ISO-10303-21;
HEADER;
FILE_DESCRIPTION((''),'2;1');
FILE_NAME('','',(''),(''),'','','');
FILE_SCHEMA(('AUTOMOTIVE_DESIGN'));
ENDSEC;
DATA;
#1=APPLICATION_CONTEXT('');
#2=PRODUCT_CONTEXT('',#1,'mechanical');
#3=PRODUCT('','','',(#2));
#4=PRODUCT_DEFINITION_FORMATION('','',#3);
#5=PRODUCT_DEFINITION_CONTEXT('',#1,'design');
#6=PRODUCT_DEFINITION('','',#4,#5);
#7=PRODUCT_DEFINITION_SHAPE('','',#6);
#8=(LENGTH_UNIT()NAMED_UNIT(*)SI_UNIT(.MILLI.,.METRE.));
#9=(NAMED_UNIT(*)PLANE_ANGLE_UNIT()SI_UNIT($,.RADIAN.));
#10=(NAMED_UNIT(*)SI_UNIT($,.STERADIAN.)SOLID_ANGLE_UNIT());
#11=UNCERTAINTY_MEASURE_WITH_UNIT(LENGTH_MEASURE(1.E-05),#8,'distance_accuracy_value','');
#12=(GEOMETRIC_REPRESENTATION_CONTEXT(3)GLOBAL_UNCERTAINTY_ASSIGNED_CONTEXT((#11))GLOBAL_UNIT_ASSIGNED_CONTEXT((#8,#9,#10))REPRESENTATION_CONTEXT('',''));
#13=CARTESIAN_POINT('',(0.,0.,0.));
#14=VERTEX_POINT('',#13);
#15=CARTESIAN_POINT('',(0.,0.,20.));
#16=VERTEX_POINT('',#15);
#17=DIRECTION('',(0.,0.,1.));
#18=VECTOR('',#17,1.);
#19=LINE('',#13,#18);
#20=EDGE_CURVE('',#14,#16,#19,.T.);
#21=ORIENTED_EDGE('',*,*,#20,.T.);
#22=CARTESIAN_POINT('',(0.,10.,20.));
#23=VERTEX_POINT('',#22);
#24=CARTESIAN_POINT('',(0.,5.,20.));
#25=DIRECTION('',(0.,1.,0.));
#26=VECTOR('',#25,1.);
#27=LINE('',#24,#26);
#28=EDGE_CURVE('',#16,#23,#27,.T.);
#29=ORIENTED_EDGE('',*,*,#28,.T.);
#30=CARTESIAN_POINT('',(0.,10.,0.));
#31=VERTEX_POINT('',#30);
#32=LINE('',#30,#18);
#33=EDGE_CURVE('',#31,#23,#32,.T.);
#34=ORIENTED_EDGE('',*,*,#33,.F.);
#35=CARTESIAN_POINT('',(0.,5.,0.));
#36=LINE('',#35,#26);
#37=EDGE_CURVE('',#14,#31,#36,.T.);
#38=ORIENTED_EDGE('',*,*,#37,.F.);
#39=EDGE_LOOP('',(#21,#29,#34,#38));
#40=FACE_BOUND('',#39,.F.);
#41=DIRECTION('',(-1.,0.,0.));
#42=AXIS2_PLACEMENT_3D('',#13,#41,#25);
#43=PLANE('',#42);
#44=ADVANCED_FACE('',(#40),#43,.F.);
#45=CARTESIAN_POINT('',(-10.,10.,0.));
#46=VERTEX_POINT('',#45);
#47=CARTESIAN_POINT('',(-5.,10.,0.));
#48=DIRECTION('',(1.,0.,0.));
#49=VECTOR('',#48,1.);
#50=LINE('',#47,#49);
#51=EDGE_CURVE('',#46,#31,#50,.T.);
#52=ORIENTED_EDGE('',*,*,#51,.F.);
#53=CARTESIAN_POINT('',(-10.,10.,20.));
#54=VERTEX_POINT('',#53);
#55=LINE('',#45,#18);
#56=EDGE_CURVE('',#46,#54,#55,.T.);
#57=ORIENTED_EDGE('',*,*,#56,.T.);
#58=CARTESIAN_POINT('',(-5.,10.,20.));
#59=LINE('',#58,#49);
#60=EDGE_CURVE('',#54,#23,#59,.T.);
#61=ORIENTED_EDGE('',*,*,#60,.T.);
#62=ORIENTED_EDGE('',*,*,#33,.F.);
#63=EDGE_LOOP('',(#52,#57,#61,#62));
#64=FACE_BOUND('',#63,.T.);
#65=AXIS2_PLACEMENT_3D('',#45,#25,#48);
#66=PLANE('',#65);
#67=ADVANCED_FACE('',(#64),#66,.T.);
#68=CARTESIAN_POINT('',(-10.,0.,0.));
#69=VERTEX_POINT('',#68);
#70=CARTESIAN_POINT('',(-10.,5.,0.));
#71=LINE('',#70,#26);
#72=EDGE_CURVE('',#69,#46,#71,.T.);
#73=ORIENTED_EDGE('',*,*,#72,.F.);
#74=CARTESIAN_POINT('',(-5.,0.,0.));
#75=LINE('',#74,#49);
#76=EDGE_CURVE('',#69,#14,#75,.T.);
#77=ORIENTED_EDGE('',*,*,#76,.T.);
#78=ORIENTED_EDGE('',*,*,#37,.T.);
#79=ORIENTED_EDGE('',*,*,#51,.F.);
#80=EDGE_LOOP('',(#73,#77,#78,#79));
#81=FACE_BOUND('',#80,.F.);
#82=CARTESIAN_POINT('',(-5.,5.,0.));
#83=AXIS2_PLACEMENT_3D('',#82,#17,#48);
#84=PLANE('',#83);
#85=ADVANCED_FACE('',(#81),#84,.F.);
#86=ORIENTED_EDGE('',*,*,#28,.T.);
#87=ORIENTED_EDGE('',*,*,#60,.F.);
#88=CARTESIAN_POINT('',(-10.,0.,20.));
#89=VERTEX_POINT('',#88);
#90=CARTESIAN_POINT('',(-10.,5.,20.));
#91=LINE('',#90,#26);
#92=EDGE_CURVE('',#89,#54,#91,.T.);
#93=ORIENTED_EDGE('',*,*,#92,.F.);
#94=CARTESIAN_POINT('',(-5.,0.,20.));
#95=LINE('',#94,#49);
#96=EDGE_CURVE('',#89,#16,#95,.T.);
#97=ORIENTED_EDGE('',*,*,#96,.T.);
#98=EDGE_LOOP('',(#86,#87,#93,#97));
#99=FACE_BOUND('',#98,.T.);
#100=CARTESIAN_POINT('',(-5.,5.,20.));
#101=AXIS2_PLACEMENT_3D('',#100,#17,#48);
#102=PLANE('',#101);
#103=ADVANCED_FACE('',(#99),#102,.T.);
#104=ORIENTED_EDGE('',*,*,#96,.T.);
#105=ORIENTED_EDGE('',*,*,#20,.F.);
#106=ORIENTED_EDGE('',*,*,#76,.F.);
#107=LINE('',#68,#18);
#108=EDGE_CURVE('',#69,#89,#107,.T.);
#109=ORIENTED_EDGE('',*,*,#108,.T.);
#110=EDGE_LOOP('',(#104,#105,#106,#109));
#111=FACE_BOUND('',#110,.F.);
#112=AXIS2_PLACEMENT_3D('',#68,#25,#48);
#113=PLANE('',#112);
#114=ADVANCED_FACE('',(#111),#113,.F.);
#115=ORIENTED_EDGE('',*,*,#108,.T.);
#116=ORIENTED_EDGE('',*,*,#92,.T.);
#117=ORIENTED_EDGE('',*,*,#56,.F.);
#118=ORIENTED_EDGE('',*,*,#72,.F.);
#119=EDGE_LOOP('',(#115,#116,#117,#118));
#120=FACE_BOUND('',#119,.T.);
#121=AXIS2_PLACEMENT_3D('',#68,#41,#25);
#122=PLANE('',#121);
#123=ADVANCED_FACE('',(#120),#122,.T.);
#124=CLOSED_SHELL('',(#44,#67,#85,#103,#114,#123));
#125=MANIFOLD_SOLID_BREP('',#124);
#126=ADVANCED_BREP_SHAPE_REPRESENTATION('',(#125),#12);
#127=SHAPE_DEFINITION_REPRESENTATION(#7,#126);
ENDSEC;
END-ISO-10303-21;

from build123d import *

# Parameters (mm, degrees)
ESQUISSE1_W        = 10
ESQUISSE1_H        = 10
BOSS_EXTRU_1_DEPTH = 20


with BuildPart() as part:
    # Esquisse1 → Boss.-Extru.1 (new body)
    with BuildSketch(Plane.XY):
        with Locations((-5, 5)):
            Rectangle(ESQUISSE1_W, ESQUISSE1_H)
    extrude(amount=BOSS_EXTRU_1_DEPTH)


solid = part.part
